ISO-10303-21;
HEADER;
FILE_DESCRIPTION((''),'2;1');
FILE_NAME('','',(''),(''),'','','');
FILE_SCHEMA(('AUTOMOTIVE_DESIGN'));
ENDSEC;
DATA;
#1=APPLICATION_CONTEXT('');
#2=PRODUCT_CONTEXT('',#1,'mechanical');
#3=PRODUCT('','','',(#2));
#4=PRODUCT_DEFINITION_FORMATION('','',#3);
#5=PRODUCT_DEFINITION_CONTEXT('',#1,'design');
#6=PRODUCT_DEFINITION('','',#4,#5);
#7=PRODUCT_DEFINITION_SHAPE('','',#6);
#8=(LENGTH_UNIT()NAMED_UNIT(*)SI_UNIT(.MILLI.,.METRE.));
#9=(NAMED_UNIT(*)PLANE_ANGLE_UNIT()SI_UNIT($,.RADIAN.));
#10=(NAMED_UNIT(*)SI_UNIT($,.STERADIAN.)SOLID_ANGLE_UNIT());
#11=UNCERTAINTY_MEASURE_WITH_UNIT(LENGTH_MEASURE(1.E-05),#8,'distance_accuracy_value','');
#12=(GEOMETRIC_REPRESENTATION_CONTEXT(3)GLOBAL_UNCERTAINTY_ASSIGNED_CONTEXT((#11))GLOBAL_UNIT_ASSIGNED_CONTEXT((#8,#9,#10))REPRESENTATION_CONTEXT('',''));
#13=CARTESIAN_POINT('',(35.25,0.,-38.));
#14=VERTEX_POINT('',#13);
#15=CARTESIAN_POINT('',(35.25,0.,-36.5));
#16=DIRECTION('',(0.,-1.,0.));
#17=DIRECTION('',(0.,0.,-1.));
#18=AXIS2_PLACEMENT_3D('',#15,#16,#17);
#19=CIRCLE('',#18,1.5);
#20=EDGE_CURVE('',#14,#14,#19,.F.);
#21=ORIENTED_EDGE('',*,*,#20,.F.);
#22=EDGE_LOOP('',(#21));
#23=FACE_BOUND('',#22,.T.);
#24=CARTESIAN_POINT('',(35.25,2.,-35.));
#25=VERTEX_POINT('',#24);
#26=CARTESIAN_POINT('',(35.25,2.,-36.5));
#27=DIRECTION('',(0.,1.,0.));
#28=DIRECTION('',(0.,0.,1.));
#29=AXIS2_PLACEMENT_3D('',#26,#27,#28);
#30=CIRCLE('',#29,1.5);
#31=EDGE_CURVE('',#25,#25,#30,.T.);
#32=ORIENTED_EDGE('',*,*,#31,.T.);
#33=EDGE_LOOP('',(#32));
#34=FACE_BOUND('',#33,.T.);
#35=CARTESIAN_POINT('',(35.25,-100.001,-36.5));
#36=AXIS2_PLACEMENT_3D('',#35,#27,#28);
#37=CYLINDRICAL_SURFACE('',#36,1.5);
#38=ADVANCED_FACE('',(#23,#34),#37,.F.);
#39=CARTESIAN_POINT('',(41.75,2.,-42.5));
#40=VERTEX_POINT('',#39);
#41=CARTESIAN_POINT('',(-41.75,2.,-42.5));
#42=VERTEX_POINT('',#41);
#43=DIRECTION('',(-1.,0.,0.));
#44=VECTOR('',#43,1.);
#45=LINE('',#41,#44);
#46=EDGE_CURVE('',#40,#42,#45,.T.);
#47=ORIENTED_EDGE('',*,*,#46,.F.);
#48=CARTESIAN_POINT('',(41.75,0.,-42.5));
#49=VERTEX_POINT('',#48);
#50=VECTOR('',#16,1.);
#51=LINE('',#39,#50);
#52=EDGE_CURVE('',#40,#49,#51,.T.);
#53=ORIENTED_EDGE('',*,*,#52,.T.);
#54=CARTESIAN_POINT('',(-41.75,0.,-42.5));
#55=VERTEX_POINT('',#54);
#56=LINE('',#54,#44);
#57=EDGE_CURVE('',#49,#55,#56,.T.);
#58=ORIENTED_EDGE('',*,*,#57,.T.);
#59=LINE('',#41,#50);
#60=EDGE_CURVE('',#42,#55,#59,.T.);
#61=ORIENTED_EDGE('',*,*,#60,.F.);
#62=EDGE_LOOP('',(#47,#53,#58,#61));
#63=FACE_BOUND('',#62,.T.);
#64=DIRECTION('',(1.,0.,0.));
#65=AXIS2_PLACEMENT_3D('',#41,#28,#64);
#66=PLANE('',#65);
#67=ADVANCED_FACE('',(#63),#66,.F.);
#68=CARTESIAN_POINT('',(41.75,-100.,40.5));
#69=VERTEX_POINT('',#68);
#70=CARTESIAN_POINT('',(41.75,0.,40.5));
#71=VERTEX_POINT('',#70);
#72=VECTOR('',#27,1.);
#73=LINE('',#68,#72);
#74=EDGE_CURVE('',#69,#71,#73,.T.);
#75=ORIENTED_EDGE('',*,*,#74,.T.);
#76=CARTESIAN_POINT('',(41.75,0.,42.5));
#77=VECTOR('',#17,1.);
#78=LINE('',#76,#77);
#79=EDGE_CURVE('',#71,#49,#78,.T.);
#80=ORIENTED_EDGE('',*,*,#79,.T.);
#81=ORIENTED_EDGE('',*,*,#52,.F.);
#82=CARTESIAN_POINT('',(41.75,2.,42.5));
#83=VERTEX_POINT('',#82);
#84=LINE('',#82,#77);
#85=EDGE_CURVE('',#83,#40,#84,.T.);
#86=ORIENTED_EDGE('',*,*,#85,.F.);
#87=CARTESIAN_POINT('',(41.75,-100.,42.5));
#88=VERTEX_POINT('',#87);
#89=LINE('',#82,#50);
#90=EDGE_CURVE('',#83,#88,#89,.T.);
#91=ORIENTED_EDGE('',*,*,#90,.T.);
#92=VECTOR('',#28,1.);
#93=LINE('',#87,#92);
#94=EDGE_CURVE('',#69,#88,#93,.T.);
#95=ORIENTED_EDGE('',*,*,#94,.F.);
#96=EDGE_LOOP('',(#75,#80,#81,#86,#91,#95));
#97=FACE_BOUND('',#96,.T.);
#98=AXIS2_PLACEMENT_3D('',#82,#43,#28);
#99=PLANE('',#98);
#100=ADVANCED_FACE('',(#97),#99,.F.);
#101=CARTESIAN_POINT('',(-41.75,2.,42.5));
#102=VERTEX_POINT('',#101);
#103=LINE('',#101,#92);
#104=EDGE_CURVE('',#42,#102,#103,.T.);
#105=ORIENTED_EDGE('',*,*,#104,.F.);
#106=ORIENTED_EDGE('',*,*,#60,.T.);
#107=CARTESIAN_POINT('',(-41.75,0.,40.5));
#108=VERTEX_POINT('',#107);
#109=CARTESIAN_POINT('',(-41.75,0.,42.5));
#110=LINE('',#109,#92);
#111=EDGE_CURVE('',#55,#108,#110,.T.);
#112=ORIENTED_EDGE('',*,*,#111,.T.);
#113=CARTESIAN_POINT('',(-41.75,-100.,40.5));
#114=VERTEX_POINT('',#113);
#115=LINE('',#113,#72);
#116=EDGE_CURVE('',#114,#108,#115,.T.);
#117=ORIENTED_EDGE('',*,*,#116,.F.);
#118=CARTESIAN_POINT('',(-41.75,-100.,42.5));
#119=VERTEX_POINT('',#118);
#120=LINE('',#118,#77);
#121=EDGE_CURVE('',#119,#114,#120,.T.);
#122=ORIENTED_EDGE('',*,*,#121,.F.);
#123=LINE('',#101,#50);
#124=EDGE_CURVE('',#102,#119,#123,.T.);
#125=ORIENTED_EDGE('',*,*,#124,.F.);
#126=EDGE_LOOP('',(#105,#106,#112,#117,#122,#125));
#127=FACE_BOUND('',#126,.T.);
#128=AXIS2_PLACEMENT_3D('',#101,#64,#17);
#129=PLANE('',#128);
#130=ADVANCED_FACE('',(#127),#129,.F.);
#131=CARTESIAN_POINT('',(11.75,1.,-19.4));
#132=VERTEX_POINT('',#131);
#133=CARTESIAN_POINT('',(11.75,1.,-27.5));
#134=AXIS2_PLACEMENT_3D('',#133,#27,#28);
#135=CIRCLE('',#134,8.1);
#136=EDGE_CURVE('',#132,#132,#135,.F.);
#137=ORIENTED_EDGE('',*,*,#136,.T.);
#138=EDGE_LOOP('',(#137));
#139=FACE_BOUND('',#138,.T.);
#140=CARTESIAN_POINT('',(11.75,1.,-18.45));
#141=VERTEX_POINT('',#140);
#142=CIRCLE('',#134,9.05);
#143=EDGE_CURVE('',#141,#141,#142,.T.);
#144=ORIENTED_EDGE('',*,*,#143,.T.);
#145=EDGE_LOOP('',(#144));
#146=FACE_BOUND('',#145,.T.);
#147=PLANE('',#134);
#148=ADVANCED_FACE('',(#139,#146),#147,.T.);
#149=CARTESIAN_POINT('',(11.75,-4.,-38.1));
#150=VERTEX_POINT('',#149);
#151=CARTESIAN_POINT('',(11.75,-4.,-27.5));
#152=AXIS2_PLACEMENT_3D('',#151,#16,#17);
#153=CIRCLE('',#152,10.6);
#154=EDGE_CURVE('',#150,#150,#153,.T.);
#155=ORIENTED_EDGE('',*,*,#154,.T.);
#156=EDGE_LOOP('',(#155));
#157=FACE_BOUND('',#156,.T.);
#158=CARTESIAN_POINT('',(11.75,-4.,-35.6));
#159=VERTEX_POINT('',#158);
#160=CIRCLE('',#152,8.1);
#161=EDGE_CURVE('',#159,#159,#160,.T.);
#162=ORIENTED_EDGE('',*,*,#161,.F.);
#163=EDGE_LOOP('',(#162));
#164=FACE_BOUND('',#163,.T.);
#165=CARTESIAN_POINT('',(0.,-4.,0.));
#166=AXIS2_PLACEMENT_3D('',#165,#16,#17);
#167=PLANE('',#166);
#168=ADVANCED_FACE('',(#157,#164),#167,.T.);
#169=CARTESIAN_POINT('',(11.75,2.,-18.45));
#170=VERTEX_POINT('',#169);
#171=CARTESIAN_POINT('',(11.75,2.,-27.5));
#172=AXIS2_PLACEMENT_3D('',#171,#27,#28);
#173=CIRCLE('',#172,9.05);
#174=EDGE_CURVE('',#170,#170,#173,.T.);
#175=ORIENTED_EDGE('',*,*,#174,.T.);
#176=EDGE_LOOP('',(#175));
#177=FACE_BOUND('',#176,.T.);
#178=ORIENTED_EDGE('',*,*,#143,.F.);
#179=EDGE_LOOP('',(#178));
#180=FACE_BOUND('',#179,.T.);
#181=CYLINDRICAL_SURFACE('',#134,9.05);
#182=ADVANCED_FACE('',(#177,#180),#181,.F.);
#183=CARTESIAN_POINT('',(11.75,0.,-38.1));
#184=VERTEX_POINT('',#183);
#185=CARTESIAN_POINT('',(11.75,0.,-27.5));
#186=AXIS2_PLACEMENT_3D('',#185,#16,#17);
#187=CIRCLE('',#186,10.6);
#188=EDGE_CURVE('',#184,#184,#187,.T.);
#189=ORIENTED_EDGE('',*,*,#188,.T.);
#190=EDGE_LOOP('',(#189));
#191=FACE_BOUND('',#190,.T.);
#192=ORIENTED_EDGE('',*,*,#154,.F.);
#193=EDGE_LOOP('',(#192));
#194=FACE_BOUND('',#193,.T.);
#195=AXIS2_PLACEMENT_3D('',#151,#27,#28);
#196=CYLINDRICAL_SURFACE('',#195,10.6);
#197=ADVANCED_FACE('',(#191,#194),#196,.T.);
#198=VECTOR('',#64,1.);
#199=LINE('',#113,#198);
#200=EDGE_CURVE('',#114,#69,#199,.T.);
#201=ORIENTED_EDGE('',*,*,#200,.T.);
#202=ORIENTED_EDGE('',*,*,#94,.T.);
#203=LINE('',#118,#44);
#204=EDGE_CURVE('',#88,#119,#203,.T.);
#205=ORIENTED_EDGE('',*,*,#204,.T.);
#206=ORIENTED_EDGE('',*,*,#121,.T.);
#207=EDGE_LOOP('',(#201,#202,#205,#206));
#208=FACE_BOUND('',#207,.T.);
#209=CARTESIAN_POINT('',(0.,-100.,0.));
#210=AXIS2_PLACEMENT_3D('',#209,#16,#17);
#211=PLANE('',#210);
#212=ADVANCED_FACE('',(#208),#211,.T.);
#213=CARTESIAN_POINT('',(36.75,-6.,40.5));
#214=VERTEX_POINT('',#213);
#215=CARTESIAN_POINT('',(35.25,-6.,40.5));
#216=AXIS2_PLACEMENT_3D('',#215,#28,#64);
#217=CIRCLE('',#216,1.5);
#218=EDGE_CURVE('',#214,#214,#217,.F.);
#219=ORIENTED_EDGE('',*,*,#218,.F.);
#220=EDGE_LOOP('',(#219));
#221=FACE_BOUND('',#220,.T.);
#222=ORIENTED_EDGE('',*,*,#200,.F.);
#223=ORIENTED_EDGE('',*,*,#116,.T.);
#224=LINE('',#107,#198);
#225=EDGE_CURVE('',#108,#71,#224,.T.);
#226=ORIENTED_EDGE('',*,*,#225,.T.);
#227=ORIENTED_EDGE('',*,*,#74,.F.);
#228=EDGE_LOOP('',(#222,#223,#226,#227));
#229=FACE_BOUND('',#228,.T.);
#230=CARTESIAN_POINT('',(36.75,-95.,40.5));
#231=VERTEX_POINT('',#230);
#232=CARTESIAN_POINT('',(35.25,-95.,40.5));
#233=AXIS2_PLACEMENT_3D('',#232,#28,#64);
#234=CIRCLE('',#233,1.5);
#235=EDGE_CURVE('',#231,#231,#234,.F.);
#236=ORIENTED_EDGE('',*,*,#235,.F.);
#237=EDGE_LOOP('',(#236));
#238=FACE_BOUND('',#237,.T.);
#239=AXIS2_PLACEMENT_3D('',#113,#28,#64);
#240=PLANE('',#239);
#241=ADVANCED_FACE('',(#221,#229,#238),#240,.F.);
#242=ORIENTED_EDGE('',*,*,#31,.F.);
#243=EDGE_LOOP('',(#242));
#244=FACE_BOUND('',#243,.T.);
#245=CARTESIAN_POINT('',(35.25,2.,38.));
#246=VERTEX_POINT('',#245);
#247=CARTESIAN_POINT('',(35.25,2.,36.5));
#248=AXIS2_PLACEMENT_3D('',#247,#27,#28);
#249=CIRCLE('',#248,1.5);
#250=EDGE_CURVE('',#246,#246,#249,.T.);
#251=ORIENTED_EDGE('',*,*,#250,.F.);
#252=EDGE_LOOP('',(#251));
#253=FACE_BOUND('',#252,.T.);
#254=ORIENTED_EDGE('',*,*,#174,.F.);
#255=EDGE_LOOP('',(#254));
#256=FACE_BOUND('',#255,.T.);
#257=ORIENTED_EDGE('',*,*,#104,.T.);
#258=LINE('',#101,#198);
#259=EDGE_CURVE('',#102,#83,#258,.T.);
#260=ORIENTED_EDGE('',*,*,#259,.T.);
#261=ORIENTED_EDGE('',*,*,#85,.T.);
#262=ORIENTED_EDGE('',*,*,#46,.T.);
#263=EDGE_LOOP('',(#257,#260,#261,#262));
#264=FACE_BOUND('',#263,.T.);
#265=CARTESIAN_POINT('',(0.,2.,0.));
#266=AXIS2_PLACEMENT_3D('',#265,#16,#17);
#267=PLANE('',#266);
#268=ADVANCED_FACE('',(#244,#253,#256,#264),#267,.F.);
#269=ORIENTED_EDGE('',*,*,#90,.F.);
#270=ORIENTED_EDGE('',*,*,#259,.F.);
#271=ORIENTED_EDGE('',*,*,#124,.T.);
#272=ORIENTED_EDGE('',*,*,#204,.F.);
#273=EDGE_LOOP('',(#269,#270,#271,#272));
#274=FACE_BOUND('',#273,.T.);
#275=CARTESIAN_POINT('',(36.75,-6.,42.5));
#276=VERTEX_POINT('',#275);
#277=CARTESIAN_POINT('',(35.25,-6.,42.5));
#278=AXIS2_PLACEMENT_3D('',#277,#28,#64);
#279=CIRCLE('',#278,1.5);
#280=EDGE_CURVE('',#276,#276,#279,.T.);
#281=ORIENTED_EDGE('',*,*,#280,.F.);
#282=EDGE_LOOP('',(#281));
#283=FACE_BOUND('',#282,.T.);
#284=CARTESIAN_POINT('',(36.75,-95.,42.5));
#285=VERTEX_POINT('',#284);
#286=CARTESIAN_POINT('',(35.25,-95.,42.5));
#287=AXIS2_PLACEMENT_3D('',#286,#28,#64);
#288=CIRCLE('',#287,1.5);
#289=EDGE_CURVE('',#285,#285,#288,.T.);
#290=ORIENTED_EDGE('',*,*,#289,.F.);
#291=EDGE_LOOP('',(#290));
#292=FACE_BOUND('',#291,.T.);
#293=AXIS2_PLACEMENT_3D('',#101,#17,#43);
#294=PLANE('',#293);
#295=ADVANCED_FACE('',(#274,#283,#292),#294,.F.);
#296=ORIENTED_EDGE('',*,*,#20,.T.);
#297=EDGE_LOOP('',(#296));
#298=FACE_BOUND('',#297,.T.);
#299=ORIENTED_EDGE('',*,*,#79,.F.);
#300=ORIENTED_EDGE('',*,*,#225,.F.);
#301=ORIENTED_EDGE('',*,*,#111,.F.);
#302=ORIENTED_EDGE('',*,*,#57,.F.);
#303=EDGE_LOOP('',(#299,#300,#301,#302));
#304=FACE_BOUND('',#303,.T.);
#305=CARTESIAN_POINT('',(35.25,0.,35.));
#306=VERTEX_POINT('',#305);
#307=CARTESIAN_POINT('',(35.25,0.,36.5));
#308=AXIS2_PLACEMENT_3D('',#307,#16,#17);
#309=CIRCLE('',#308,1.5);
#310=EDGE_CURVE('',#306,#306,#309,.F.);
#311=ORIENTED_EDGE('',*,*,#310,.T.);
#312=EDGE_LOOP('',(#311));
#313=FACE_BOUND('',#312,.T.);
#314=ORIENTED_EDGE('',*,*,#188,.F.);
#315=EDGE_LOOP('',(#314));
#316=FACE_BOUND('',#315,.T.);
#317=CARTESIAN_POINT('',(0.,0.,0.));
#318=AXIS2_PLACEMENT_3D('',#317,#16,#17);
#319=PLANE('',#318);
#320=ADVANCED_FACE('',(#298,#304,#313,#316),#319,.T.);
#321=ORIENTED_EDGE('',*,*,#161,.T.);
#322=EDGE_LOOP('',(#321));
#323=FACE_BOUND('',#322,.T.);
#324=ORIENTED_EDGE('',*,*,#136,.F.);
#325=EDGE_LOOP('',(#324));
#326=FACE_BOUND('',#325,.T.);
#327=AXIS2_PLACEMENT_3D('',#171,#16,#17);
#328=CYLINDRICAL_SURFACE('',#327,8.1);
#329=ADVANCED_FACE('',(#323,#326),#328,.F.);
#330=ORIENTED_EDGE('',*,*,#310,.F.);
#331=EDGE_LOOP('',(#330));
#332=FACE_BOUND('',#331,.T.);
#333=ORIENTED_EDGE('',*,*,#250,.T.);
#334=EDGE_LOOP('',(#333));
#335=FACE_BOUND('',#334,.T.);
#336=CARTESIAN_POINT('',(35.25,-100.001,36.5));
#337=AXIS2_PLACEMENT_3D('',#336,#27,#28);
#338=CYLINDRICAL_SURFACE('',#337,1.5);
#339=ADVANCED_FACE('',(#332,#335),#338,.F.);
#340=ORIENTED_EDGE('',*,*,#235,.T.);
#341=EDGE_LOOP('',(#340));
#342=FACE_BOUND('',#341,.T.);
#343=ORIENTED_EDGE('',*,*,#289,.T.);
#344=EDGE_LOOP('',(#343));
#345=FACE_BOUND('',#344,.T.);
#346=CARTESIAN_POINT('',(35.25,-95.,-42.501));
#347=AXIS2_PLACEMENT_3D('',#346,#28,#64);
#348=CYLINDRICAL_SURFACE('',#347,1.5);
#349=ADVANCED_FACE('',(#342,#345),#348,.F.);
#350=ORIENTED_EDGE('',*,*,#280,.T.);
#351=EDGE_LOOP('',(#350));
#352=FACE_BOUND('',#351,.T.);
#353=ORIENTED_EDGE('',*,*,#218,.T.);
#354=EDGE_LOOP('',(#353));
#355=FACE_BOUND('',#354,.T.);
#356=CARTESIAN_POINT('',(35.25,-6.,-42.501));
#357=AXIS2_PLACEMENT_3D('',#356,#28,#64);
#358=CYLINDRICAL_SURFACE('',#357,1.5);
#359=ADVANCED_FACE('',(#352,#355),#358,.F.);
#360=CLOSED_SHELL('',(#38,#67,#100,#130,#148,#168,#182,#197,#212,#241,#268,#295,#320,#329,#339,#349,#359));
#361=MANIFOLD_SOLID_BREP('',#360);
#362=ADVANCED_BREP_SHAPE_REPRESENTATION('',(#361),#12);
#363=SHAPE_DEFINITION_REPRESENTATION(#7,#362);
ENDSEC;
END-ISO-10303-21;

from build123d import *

# Parameters (mm, degrees)
SKETCH1_W               = 83.5
SKETCH1_H               = 85
BOSS_EXTRUDE1_DEPTH     = 2
SKETCH2_W               = 83.5
SKETCH2_H               = 2
BOSS_EXTRUDE2_DEPTH     = 100
SKETCH3_R               = 8.1
SKETCH3_R_2             = 10.6
BOSS_EXTRUDE3_DEPTH     = 4
SKETCH3_3_R             = 8.1
CUT_EXTRUDE3_DEPTH      = 101
CUT_EXTRUDE3_DEPTH_BACK = 3
SKETCH4_R               = 9.05
CUT_EXTRUDE4_DEPTH      = 1
CUT_EXTRUDE5_REACH      = 87
SKETCH5_R               = 1.5
CUT_EXTRUDE6_REACH      = 104
SKETCH6_R               = 1.5


with BuildPart() as part:
    # Sketch1 → Boss-Extrude1 (new body)
    with BuildSketch(Plane(origin=(0, 0, 0), x_dir=(1, 0, 0), z_dir=(0, 1, 0))):
        Rectangle(SKETCH1_W, SKETCH1_H)
    extrude(amount=BOSS_EXTRUDE1_DEPTH)

    # Sketch2 → Boss-Extrude2 (add)
    with BuildSketch(Plane(origin=(0, 0, 0), x_dir=(-1, 0, 0), z_dir=(0, -1, 0))):
        with Locations((0, -41.5)):
            Rectangle(SKETCH2_W, SKETCH2_H)
    extrude(amount=BOSS_EXTRUDE2_DEPTH)

    # Sketch3 → Boss-Extrude3 (add)
    with BuildSketch(Plane(origin=(0, 0, 0), x_dir=(-1, 0, 0), z_dir=(0, -1, 0))):
        with Locations((-11.75, 27.5)):
            Circle(SKETCH3_R)
        with Locations((-11.75, 27.5)):
            Circle(SKETCH3_R_2)
        with Locations((-11.75, 27.5)):
            Circle(SKETCH3_R, mode=Mode.SUBTRACT)
    extrude(amount=BOSS_EXTRUDE3_DEPTH)

    # Sketch3<3> → Cut-Extrude3 (cut, two sides)
    with BuildSketch(Plane(origin=(0, 0, 0), x_dir=(-1, 0, 0), z_dir=(0, -1, 0))) as cut_extrude3_sk:
        with Locations((-11.75, 27.5)):
            Circle(SKETCH3_3_R)
    extrude(amount=CUT_EXTRUDE3_DEPTH, mode=Mode.SUBTRACT)
    extrude(cut_extrude3_sk.sketch, amount=-CUT_EXTRUDE3_DEPTH_BACK, mode=Mode.SUBTRACT)

    # Sketch4 → Cut-Extrude4 (cut)
    with BuildSketch(Plane(origin=(0, 2, 0), x_dir=(1, 0, 0), z_dir=(0, 1, 0))):
        with Locations((11.75, 27.5)):
            Circle(SKETCH4_R)
    extrude(amount=-CUT_EXTRUDE4_DEPTH, mode=Mode.SUBTRACT)

    # Sketch5 → Cut-Extrude5 (cut, up to next)
    with BuildSketch(Plane.XY.offset(42.5), mode=Mode.PRIVATE) as cut_extrude5_sk1:
        with Locations((35.25, -95)):
            Circle(SKETCH5_R)
    cut_extrude5_tool1 = extrude(cut_extrude5_sk1.sketch, amount=-CUT_EXTRUDE5_REACH, mode=Mode.PRIVATE) & part.part
    add(cut_extrude5_tool1.solids().sort_by_distance((35.25, -95, 42.5))[0], mode=Mode.SUBTRACT)
    # Sketch5 → Cut-Extrude5 (cut, up to next)
    with BuildSketch(Plane.XY.offset(42.5), mode=Mode.PRIVATE) as cut_extrude5_sk2:
        with Locations((35.25, -6)):
            Circle(SKETCH5_R)
    cut_extrude5_tool2 = extrude(cut_extrude5_sk2.sketch, amount=-CUT_EXTRUDE5_REACH, mode=Mode.PRIVATE) & part.part
    add(cut_extrude5_tool2.solids().sort_by_distance((35.25, -6, 42.5))[0], mode=Mode.SUBTRACT)

    # Sketch6 → Cut-Extrude6 (cut, up to next)
    with BuildSketch(Plane(origin=(0, 2, 0), x_dir=(1, 0, 0), z_dir=(0, 1, 0)), mode=Mode.PRIVATE) as cut_extrude6_sk1:
        with Locations((35.25, -36.5)):
            Circle(SKETCH6_R)
    cut_extrude6_tool1 = extrude(cut_extrude6_sk1.sketch, amount=-CUT_EXTRUDE6_REACH, mode=Mode.PRIVATE) & part.part
    add(cut_extrude6_tool1.solids().sort_by_distance((35.25, 2, 36.5))[0], mode=Mode.SUBTRACT)
    # Sketch6 → Cut-Extrude6 (cut, up to next)
    with BuildSketch(Plane(origin=(0, 2, 0), x_dir=(1, 0, 0), z_dir=(0, 1, 0)), mode=Mode.PRIVATE) as cut_extrude6_sk2:
        with Locations((35.25, 36.5)):
            Circle(SKETCH6_R)
    cut_extrude6_tool2 = extrude(cut_extrude6_sk2.sketch, amount=-CUT_EXTRUDE6_REACH, mode=Mode.PRIVATE) & part.part
    add(cut_extrude6_tool2.solids().sort_by_distance((35.25, 2, -36.5))[0], mode=Mode.SUBTRACT)


solid = part.part
